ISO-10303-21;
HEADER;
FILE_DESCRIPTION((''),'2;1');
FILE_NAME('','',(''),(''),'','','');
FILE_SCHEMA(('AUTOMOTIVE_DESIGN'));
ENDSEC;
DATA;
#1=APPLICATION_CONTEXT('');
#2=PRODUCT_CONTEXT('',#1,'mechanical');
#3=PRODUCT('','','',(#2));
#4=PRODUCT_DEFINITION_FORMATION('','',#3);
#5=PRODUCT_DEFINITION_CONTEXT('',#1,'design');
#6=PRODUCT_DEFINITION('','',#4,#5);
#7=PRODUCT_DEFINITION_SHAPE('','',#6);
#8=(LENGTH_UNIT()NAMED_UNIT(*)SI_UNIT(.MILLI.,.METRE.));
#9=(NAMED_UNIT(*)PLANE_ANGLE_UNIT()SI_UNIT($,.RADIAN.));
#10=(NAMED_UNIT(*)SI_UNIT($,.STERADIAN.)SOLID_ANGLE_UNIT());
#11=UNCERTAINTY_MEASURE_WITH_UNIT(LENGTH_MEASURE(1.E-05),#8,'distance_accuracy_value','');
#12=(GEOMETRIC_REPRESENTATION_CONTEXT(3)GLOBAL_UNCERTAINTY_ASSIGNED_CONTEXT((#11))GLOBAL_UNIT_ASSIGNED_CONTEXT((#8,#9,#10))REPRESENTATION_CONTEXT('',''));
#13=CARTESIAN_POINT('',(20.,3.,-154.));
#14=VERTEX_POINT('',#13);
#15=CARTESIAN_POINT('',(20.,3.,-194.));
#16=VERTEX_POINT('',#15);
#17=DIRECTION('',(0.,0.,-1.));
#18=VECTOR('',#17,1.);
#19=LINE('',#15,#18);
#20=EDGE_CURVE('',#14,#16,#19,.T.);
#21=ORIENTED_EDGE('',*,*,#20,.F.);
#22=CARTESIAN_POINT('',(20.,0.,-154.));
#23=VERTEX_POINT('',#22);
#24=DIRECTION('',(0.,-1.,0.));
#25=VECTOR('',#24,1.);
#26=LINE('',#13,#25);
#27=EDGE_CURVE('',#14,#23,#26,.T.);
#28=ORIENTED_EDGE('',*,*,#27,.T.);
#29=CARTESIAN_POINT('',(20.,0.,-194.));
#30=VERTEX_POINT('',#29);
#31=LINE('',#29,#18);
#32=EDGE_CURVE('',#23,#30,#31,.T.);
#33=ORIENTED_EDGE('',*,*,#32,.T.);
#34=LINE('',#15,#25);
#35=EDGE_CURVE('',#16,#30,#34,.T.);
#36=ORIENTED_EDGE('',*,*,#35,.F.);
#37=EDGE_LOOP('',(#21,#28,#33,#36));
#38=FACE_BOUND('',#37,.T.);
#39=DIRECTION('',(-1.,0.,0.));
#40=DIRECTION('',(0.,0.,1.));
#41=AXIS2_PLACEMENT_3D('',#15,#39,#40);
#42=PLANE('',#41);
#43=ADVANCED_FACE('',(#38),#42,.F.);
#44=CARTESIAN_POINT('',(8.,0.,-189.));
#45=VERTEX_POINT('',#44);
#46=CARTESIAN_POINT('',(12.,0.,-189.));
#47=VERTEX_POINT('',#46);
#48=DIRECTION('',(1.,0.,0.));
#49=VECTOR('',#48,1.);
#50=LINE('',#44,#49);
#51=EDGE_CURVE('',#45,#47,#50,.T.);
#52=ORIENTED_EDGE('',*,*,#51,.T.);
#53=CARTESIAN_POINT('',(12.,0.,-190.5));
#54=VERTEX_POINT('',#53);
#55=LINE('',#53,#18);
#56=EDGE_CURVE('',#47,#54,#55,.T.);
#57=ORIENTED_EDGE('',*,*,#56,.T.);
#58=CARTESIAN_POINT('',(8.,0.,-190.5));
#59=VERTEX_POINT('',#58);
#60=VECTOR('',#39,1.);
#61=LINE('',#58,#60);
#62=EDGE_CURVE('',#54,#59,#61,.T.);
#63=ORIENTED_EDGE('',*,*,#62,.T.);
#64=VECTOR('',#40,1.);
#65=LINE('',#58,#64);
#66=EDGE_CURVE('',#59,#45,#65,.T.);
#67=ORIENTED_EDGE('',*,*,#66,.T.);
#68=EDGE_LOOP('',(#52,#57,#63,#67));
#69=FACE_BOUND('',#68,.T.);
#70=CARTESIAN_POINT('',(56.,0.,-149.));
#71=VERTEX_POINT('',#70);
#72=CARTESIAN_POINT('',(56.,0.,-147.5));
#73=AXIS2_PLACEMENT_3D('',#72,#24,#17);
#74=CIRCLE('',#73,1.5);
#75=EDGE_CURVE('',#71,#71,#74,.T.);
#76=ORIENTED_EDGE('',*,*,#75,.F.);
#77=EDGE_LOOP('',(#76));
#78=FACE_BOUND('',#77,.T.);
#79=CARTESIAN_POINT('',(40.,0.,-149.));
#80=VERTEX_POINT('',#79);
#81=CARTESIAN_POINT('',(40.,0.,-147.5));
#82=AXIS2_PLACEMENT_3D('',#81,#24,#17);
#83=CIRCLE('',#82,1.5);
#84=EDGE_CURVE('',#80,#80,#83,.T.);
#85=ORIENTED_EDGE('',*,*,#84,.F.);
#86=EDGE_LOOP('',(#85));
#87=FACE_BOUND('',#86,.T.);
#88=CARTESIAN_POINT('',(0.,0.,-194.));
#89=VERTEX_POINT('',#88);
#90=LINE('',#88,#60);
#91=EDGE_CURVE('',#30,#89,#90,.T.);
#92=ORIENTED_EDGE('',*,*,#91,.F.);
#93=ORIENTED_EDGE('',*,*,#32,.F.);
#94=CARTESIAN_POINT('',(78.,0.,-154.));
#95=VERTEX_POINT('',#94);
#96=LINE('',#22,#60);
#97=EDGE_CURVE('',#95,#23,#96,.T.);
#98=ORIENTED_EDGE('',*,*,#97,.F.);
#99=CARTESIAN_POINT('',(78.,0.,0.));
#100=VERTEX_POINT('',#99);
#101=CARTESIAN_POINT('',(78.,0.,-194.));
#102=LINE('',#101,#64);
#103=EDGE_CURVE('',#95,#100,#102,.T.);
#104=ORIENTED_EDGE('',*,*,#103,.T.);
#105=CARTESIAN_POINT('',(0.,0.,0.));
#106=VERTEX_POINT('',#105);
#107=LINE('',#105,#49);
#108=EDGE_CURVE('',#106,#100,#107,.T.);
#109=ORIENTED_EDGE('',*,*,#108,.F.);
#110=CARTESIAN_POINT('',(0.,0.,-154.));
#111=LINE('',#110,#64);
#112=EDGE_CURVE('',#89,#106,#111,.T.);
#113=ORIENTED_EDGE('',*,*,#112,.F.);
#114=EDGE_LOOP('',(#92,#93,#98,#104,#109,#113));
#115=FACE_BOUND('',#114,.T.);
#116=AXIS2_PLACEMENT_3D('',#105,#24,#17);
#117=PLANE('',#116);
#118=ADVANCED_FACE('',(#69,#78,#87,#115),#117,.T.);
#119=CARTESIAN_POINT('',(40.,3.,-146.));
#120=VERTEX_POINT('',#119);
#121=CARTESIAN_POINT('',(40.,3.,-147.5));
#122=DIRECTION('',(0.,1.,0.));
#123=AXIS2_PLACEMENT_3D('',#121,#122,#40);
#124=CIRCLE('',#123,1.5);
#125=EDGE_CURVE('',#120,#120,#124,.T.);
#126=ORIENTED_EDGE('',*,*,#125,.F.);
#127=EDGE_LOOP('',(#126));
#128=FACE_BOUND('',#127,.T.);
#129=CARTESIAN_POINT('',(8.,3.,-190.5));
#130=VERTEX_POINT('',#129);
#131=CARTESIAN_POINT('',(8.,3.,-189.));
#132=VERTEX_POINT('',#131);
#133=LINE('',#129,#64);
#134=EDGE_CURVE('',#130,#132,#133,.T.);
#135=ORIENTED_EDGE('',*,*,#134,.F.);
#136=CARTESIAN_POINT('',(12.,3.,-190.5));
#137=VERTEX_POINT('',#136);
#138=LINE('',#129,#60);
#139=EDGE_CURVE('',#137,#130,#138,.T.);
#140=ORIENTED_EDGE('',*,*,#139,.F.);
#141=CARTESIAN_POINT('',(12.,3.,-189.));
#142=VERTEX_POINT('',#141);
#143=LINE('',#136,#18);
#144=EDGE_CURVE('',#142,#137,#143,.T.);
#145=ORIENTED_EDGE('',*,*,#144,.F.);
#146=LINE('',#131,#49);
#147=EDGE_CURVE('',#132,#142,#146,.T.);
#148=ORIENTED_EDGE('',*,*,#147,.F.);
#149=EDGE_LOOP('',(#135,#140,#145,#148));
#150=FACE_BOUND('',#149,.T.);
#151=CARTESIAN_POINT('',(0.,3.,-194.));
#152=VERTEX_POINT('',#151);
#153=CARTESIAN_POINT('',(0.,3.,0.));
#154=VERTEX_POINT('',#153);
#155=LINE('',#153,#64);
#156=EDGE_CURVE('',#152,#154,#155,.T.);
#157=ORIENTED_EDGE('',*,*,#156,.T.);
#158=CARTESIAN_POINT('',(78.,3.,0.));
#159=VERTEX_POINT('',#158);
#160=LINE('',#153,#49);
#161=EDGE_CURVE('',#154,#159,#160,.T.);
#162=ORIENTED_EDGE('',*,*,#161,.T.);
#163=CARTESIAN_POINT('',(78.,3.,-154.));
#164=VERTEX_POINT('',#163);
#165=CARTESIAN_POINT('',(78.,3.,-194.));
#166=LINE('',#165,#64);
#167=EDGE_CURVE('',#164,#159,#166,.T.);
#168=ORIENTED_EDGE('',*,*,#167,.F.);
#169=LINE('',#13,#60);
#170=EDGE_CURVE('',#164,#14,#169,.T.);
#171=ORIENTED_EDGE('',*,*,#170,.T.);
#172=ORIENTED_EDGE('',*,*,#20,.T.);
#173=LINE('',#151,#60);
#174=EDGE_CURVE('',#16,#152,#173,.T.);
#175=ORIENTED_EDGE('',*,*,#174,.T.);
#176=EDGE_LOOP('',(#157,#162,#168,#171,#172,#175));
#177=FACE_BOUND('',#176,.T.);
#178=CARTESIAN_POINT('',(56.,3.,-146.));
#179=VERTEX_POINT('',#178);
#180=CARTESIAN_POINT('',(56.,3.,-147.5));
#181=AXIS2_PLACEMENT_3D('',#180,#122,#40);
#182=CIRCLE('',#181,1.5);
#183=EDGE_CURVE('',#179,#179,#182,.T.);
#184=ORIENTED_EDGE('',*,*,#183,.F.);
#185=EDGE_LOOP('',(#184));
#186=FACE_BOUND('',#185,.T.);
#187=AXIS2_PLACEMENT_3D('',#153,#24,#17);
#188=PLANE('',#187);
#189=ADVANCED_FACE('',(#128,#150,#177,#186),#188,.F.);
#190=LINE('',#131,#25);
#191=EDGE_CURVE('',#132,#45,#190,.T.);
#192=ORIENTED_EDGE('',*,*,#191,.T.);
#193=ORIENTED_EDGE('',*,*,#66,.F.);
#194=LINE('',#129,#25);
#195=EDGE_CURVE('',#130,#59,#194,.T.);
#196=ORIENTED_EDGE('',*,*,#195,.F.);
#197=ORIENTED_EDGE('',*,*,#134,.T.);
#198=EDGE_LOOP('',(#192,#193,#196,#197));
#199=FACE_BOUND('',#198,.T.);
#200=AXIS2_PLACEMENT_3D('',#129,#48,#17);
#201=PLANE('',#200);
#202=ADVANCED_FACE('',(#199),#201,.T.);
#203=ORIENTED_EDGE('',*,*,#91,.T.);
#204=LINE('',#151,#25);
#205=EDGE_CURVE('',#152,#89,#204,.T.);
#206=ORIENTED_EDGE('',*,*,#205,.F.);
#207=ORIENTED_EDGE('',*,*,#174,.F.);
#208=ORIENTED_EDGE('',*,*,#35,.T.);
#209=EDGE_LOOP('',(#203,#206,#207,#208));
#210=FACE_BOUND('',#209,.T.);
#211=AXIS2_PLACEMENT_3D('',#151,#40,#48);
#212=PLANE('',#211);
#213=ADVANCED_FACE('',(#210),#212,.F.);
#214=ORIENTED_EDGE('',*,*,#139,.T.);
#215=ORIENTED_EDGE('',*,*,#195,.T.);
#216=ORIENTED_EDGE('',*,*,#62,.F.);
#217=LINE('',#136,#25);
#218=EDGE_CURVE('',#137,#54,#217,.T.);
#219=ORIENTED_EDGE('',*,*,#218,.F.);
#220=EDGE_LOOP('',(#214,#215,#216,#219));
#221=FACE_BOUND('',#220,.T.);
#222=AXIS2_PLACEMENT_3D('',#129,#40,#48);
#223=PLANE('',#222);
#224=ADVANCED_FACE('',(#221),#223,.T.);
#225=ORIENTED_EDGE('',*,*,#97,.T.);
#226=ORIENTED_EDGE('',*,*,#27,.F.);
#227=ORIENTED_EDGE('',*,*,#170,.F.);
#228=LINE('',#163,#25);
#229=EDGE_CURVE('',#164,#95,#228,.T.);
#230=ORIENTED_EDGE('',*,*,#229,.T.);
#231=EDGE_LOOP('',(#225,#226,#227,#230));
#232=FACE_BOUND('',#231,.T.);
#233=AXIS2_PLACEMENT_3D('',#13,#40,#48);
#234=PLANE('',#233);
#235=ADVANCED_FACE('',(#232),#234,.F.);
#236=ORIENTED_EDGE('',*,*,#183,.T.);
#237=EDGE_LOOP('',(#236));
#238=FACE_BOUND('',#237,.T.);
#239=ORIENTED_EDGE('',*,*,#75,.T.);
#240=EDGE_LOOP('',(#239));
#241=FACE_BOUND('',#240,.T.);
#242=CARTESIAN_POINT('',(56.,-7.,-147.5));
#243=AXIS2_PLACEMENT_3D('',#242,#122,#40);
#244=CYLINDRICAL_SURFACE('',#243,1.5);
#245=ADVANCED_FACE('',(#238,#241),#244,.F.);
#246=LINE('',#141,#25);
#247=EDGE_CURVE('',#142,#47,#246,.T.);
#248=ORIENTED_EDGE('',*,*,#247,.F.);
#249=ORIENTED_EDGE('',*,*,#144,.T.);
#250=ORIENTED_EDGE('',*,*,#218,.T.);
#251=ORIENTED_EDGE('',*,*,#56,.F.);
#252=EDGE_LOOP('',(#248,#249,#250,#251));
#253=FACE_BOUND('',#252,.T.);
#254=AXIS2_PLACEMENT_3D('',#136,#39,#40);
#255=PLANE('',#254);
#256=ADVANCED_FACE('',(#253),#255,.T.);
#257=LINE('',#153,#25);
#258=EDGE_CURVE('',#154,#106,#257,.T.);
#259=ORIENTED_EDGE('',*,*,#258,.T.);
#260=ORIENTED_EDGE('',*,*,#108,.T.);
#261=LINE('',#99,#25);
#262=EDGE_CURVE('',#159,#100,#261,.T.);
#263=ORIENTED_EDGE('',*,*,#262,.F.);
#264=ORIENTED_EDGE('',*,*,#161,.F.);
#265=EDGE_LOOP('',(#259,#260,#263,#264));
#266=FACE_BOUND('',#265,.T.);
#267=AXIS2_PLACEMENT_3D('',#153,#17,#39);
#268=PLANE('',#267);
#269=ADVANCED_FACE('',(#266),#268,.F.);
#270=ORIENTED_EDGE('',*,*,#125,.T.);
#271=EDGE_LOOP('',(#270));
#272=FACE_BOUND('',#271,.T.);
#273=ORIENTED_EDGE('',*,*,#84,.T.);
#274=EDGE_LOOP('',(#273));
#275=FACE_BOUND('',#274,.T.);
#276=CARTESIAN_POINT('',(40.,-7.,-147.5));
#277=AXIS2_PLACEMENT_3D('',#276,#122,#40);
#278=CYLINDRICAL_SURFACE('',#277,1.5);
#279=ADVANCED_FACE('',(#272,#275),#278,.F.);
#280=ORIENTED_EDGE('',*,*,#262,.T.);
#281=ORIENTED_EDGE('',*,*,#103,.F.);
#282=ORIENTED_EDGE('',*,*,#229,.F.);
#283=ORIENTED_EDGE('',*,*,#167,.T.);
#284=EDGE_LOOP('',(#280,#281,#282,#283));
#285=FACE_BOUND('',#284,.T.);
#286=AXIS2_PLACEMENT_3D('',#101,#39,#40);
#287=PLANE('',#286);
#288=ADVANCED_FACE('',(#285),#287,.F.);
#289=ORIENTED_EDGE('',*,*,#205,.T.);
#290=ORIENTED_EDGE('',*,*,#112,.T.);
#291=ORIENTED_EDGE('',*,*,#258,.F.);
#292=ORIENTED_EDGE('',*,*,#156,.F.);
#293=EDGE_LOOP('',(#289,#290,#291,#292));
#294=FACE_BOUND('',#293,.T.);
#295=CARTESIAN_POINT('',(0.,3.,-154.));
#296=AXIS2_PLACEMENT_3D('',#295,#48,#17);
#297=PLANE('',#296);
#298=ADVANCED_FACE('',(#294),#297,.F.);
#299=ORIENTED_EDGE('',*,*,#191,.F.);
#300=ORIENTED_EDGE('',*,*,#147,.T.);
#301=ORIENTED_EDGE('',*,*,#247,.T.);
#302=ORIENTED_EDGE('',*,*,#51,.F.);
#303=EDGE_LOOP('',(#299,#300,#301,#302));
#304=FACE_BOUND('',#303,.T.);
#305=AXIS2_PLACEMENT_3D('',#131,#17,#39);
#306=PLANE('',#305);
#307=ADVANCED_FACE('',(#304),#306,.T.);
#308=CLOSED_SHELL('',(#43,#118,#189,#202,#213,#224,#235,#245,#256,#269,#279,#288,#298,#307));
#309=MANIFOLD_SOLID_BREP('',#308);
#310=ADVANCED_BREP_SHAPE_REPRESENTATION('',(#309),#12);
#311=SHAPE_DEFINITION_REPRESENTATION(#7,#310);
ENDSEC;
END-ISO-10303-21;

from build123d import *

# Parameters (mm, degrees)
SKETCH1_W           = 4
SKETCH1_H           = 1.5
BOSS_EXTRUDE1_DEPTH = 3
SKETCH6_W           = 12
SKETCH6_H           = 3
CUT_EXTRUDE5_DEPTH  = 214.880807928
SKETCH10_R          = 1.5
CUT_EXTRUDE9_DEPTH  = 10


with BuildPart() as part:
    # Sketch1 → Boss-Extrude1 (new body)
    with BuildSketch(Plane(origin=(0, 0, 0), x_dir=(1, 0, 0), z_dir=(0, 1, 0))):
        Polygon((0, 154), (0, 194), (20, 194), (20, 154), (90, 154), (90, 0), (0, 0), align=None)
        with Locations((10, 189.75)):
            Rectangle(SKETCH1_W, SKETCH1_H, mode=Mode.SUBTRACT)
    extrude(amount=BOSS_EXTRUDE1_DEPTH)

    # Sketch6 → Cut-Extrude5 (cut, through all)
    with BuildSketch(Plane.XY):
        with Locations((84, 1.5)):
            Rectangle(SKETCH6_W, SKETCH6_H)
    extrude(amount=-CUT_EXTRUDE5_DEPTH, mode=Mode.SUBTRACT)

    # Sketch10 → Cut-Extrude9 (cut)
    with BuildSketch(Plane(origin=(0, 3, 0), x_dir=(1, 0, 0), z_dir=(0, 1, 0))):
        with Locations(Location((40, 147.5, 0), (0, 0, 270))):
            Circle(SKETCH10_R)
        with Locations(Location((56, 147.5, 0), (0, 0, 270))):
            Circle(SKETCH10_R)
    extrude(amount=-CUT_EXTRUDE9_DEPTH, mode=Mode.SUBTRACT)


solid = part.part
